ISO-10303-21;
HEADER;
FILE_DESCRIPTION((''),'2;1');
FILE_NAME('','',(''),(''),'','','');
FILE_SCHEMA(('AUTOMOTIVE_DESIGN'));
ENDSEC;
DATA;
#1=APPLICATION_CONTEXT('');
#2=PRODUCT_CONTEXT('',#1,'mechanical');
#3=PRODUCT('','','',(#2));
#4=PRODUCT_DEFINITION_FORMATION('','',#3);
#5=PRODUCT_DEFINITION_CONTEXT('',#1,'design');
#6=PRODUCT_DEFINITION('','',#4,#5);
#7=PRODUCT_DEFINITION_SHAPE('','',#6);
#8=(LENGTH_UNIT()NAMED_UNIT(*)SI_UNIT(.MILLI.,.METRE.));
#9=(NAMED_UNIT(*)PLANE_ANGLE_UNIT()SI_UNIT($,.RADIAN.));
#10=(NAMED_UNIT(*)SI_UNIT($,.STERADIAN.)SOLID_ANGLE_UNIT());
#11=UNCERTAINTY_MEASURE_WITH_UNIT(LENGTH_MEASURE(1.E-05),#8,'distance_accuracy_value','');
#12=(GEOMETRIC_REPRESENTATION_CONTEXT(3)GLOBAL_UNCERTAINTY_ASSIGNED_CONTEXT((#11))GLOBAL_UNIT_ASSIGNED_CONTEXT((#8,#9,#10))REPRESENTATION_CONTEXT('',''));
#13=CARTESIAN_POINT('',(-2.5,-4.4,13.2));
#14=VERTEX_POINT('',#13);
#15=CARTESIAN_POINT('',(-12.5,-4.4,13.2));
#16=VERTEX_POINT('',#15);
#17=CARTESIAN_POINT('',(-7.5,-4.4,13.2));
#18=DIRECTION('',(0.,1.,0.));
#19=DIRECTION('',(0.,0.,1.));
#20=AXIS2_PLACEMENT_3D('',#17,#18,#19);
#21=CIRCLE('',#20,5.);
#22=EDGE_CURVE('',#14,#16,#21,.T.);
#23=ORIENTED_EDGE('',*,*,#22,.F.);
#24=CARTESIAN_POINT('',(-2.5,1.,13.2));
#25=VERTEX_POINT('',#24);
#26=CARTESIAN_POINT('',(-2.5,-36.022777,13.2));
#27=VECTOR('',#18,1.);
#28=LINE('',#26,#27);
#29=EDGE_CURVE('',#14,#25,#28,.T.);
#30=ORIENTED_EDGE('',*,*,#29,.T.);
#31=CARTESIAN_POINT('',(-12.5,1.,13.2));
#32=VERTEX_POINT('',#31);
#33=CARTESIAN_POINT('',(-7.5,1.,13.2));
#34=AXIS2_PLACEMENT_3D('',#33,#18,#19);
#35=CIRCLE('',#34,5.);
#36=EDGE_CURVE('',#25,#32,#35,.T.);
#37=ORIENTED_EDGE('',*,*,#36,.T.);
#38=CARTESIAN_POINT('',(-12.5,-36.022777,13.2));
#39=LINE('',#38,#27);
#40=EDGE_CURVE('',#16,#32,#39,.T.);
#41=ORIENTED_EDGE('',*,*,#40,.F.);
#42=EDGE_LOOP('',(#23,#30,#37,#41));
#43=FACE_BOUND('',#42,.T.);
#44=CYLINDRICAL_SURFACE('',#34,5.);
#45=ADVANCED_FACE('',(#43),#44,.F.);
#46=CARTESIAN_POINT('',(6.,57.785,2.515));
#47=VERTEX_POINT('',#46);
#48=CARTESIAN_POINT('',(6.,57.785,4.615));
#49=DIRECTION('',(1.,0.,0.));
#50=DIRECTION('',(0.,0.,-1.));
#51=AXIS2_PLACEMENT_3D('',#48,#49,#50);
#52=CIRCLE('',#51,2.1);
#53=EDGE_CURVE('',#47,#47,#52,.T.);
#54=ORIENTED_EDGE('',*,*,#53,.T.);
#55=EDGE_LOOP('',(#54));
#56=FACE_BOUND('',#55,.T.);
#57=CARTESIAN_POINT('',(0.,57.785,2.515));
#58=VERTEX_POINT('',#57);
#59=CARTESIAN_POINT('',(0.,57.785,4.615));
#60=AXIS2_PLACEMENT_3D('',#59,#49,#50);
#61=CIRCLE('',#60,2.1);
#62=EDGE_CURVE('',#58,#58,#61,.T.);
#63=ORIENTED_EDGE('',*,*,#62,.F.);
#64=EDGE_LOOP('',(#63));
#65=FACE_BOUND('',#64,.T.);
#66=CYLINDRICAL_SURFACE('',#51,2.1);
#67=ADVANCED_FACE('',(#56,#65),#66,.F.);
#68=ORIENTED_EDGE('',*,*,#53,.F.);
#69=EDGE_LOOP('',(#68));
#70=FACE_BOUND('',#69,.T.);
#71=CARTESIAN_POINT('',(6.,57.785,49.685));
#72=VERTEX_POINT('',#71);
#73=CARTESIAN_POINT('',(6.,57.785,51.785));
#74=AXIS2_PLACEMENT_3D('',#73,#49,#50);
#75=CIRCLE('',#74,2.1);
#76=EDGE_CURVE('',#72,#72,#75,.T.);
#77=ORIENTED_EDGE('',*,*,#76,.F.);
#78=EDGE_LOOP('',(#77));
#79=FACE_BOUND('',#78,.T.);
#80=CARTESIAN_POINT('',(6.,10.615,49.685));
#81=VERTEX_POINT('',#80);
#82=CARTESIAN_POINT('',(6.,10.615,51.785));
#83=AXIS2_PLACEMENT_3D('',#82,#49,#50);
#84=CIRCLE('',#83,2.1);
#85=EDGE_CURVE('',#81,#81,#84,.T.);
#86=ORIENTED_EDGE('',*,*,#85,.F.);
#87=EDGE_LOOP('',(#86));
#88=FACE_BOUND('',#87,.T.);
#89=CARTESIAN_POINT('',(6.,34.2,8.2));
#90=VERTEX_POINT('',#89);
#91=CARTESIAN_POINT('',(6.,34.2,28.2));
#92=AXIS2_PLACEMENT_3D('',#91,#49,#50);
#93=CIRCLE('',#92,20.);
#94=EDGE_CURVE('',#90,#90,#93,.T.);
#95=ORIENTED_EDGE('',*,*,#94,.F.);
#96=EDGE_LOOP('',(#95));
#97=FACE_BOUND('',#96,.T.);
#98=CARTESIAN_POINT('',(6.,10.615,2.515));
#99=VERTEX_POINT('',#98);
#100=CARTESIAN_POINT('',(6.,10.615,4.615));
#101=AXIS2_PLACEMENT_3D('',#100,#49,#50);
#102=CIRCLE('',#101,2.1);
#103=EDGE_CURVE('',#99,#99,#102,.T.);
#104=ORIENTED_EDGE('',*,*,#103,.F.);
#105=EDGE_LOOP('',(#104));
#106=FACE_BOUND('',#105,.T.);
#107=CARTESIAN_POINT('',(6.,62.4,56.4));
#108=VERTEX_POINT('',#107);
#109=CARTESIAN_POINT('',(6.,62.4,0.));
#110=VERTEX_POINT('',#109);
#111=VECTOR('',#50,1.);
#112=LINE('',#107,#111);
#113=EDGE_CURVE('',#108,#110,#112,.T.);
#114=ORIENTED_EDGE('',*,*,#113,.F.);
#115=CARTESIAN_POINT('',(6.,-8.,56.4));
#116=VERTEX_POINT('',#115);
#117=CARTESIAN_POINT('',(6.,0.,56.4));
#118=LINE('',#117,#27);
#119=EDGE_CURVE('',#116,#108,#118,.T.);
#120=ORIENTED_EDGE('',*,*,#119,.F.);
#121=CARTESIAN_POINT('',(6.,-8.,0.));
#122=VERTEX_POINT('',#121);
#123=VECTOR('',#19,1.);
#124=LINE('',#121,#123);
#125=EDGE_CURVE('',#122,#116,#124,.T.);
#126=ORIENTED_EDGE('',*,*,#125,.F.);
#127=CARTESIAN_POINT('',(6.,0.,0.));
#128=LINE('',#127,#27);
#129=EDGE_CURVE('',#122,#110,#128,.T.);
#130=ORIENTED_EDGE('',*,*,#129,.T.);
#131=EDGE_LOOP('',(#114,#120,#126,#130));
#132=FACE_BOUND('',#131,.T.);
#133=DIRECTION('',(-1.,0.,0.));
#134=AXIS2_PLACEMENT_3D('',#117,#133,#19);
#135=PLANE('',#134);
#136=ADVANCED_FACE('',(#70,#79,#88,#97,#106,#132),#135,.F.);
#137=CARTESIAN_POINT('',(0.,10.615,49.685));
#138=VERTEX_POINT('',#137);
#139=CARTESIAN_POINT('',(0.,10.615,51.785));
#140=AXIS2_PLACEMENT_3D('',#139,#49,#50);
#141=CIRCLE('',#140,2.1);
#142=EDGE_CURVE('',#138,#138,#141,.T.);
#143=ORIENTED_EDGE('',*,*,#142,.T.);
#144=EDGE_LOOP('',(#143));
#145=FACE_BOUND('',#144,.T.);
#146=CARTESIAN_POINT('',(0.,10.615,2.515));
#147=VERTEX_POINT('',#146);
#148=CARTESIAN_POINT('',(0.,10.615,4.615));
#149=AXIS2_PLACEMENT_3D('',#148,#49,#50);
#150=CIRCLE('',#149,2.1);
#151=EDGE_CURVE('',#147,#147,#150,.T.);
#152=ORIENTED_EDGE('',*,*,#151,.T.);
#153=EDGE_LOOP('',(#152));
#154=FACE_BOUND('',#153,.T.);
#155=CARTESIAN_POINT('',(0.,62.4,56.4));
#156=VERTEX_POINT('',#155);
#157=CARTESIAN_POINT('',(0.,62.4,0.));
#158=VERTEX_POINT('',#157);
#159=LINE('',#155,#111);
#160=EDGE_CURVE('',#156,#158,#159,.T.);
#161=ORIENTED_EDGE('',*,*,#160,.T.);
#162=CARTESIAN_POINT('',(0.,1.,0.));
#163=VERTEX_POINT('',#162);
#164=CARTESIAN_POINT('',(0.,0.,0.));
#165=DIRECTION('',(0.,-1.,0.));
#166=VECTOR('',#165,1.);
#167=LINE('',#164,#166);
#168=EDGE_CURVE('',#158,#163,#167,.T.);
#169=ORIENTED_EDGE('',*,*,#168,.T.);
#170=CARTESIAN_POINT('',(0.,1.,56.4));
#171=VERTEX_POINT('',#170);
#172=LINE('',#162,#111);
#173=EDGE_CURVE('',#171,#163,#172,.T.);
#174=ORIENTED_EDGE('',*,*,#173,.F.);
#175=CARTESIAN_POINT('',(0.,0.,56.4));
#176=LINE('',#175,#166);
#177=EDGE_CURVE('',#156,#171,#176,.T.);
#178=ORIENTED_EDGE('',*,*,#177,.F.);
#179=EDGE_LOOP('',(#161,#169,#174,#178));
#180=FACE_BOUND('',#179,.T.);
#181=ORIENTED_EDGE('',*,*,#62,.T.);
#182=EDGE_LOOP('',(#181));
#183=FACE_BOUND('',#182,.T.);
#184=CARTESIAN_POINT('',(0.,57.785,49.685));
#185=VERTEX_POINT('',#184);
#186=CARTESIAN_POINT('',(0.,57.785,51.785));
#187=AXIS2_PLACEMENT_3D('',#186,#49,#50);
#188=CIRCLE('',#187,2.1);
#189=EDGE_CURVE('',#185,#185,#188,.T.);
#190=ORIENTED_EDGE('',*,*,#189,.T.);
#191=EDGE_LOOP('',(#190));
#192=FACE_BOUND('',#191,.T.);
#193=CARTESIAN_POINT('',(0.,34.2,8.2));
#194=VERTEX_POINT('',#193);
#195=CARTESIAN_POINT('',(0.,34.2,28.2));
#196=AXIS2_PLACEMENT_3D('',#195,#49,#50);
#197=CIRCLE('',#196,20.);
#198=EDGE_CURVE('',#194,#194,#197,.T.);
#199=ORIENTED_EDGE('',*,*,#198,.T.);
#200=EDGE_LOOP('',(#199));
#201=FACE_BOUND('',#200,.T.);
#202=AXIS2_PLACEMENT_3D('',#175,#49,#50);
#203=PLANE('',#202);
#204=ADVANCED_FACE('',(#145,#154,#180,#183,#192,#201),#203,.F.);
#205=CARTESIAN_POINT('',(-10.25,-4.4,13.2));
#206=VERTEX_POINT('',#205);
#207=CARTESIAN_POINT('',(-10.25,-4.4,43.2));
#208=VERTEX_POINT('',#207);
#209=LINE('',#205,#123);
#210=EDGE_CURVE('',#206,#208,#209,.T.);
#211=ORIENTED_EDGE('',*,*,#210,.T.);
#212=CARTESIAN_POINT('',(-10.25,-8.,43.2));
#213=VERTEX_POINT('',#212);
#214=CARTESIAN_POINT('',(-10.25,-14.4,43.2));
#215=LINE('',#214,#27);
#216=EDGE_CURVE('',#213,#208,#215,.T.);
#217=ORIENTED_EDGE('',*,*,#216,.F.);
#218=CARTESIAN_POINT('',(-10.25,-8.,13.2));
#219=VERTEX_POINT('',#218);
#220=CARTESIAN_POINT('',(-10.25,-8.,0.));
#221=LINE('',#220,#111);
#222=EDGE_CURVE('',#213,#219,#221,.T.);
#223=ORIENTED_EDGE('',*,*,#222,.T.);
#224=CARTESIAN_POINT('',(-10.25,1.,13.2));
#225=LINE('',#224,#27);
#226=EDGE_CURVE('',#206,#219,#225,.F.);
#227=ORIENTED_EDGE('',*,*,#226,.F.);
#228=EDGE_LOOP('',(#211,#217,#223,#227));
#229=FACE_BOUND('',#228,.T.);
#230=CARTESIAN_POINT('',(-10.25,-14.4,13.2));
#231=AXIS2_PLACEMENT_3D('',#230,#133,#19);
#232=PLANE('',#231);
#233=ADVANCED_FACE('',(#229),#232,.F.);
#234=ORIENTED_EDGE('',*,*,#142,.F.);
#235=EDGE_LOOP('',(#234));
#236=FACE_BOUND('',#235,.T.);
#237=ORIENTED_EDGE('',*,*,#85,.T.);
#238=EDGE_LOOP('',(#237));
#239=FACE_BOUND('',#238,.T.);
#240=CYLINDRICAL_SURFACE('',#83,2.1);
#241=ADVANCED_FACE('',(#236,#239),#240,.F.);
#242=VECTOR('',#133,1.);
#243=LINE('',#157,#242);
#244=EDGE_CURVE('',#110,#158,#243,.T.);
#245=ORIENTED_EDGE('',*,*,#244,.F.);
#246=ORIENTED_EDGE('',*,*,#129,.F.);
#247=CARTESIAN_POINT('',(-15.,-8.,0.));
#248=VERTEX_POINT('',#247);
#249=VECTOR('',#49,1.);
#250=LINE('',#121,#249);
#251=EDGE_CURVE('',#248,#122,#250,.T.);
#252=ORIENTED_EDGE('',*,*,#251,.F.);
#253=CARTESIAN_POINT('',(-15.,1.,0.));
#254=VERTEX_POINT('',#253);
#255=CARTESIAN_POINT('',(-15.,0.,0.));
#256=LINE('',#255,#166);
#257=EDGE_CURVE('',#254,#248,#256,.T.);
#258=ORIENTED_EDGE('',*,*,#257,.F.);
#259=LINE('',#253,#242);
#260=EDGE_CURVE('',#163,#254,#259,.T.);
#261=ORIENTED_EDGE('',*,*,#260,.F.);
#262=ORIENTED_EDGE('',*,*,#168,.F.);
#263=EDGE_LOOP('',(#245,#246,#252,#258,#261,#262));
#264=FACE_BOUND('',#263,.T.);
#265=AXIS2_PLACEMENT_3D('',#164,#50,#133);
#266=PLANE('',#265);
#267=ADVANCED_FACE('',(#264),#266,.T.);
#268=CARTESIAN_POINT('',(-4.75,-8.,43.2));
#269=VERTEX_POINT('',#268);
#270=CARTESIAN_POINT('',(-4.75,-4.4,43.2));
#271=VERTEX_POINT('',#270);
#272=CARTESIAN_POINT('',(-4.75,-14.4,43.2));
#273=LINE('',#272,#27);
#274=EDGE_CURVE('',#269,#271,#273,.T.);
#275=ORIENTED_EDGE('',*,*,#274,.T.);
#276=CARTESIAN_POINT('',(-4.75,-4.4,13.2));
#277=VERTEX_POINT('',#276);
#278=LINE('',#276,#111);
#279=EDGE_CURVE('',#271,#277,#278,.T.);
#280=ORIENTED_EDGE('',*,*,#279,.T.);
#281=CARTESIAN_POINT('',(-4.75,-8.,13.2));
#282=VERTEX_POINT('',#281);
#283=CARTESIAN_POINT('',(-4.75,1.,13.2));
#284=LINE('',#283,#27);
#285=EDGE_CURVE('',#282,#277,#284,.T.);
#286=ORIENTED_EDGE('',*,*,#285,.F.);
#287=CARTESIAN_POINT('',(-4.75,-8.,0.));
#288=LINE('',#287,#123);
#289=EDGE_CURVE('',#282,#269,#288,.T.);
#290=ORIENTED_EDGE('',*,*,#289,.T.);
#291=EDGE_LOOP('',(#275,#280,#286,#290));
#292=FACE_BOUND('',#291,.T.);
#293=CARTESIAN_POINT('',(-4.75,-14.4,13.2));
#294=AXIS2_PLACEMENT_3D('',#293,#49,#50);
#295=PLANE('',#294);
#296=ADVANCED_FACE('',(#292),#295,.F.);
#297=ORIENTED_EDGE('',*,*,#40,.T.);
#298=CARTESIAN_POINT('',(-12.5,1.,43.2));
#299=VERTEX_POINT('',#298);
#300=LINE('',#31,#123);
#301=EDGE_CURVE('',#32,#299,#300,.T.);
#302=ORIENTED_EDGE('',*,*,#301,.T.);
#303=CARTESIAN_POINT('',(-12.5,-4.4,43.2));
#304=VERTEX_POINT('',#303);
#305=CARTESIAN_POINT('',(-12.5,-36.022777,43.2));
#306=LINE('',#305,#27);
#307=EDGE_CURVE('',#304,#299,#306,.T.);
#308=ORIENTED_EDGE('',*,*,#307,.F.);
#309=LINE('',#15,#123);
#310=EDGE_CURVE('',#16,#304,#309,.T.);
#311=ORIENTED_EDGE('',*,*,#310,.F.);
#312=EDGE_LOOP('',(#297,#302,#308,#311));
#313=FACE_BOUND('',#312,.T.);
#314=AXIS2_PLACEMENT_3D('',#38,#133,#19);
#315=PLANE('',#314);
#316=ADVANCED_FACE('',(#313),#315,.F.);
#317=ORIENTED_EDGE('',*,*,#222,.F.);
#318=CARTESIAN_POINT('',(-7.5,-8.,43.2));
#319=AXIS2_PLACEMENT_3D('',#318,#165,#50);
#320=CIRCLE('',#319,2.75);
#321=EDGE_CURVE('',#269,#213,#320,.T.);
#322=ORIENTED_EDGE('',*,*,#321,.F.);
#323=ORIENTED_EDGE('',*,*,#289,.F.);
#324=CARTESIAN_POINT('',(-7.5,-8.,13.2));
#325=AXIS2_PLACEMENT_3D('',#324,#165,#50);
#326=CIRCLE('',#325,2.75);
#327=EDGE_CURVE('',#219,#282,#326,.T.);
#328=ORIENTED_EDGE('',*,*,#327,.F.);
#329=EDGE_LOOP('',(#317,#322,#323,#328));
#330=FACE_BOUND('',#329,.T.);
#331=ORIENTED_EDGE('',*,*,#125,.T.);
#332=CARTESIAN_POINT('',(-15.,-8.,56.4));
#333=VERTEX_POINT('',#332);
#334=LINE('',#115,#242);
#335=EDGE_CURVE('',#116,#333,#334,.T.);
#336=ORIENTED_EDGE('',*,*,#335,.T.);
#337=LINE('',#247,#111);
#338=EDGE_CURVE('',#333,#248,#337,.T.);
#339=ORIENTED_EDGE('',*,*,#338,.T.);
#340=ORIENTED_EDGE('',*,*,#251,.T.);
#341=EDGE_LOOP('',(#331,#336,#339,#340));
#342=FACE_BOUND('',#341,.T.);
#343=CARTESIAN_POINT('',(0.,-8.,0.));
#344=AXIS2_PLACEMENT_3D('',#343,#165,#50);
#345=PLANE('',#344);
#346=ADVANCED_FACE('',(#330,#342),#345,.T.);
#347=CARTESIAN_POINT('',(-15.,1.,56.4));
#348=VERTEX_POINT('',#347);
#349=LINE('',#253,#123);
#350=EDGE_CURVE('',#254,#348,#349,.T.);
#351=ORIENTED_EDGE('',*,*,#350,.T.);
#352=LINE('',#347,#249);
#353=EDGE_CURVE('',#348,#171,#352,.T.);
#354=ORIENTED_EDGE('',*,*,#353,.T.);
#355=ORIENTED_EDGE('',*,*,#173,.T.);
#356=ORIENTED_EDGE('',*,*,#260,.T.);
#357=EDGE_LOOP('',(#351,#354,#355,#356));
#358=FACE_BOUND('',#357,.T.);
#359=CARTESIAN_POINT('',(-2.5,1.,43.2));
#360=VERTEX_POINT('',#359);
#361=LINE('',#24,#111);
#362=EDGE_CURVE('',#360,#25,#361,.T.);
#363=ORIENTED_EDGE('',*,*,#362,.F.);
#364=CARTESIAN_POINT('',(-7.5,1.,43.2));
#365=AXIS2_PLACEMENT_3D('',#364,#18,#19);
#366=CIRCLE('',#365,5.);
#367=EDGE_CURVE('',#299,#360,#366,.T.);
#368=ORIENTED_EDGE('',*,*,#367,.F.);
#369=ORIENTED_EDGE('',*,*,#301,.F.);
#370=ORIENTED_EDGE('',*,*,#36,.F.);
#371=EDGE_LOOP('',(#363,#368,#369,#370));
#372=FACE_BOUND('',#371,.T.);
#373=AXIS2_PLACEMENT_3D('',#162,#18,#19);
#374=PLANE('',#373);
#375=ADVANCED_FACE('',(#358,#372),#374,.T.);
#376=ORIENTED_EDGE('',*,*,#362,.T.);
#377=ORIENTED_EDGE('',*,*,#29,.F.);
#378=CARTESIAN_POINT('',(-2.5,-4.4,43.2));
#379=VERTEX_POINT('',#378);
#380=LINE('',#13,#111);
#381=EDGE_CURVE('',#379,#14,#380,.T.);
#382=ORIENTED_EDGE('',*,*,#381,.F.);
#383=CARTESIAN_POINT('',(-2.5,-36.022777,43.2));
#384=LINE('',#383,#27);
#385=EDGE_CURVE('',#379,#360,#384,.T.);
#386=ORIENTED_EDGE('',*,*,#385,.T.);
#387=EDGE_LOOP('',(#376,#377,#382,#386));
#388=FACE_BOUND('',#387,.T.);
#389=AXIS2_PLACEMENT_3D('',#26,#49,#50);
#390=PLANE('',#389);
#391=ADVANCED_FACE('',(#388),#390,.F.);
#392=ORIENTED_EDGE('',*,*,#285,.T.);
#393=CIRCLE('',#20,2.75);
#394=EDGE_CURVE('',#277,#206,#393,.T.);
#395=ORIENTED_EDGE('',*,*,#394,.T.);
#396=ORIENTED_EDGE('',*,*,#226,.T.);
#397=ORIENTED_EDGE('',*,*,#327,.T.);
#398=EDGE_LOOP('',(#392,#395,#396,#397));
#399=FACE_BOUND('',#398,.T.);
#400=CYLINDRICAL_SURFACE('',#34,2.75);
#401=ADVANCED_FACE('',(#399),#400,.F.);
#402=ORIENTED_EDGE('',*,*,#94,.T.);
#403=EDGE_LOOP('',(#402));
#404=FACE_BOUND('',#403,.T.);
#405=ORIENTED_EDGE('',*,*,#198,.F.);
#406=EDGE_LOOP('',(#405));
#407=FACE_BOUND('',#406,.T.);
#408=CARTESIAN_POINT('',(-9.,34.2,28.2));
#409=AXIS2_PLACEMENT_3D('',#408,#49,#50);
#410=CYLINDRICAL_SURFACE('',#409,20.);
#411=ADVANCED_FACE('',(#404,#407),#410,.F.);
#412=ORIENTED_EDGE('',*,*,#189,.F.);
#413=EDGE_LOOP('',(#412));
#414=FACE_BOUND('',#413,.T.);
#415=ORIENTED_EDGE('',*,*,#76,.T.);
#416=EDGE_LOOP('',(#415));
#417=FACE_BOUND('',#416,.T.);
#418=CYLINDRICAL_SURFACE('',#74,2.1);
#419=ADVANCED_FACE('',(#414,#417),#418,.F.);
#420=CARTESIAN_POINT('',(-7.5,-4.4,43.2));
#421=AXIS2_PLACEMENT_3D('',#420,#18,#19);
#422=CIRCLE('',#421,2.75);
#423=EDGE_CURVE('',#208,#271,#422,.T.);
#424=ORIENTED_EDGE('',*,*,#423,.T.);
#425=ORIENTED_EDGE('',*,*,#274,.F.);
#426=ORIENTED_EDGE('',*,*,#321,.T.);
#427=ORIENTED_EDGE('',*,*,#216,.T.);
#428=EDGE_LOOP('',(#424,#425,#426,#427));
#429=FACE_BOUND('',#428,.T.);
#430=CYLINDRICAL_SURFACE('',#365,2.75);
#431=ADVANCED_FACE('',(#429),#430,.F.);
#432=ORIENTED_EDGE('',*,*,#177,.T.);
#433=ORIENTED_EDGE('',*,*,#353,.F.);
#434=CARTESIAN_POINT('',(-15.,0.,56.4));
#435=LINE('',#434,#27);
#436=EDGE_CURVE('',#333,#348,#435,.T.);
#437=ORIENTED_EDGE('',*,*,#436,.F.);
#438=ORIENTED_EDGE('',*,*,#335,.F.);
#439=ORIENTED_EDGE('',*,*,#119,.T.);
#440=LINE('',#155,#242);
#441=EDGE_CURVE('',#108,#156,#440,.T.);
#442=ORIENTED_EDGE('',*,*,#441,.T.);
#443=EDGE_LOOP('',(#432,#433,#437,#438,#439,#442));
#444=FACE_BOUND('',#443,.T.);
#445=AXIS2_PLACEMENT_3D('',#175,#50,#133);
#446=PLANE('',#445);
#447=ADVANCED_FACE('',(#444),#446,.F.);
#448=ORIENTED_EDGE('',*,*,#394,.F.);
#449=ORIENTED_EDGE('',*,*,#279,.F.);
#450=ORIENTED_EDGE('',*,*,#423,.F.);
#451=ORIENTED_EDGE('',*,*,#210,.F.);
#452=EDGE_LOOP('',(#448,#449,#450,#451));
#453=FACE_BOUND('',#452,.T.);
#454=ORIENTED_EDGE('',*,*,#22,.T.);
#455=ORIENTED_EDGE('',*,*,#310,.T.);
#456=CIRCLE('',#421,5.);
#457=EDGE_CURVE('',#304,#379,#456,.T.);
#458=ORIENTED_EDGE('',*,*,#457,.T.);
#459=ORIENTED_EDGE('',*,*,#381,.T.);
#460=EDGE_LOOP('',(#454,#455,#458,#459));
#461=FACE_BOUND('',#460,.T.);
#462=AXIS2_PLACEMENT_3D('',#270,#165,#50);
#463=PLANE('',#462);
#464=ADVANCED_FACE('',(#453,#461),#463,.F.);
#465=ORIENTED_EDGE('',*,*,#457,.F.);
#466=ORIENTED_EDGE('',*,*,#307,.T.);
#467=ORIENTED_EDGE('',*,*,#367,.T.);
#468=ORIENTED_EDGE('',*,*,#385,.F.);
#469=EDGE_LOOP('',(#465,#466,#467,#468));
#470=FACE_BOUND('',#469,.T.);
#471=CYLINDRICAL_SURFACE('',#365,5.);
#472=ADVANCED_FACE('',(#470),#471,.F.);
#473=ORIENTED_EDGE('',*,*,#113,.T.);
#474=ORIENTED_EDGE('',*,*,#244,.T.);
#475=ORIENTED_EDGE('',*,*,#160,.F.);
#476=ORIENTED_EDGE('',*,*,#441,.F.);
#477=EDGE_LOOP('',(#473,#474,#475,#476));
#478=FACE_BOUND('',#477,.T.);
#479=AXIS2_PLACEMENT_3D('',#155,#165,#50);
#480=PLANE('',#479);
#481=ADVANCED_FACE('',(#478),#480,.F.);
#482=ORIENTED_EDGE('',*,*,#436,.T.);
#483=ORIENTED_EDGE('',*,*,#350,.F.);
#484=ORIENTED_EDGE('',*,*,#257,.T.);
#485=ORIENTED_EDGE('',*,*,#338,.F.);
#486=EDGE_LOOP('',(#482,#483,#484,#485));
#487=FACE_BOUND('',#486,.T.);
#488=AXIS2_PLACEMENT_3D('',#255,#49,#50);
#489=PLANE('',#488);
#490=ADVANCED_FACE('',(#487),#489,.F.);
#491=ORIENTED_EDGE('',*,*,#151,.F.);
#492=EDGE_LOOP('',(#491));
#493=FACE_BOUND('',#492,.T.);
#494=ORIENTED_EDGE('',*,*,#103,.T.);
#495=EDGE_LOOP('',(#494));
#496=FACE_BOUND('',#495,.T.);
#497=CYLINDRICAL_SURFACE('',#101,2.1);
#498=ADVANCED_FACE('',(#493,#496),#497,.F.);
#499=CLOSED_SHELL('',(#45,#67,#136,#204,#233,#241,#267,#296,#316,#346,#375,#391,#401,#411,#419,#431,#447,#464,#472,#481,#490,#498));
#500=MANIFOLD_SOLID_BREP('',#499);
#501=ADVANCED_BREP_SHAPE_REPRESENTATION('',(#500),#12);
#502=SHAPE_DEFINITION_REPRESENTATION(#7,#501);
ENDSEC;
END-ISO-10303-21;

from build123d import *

# Parameters (mm, degrees)
SKETCH_1_W                     = 6
SKETCH_1_H                     = 62.4
EXTRUDE_1_DEPTH                = 56.4
SKETCH_3_W                     = 56.4
SKETCH_3_H                     = 6
EXTRUDE_3_DEPTH                = 15
HOLE_WIZARD_M5_1_D             = 4.2
HOLE_WIZARD_M5_1_DEPTH         = 12.4
HOLE_WIZARD_M5_1_TIP           = 1.2618073
SKETCH_6_R                     = 20
CUT_EXTRUDE_1_DEPTH            = 15
SKETCH_7_W                     = 21
SKETCH_7_H                     = 56.4
EXTRUDE_4_DEPTH                = 8
SKETCH_8_W                     = 15
SKETCH_8_H                     = 56.4
CUT_EXTRUDE_2_DEPTH            = 5
HOLE_WIZARD_M5_1_2_D           = 5.5
HOLE_WIZARD_M5_1_2_DEPTH       = 12.4
HOLE_WIZARD_M5_1_2_CBORE_D     = 10
HOLE_WIZARD_M5_1_2_CBORE_DEPTH = 5.4
HOLE_WIZARD_M5_1_2_TIP         = 1.652366702
SKETCH_11_W                    = 10
SKETCH_11_H                    = 30
CUT_EXTRUDE_3_DEPTH            = 5.4
SKETCH_12_W                    = 5.5
SKETCH_12_H                    = 30
CUT_EXTRUDE_4_DEPTH            = 10


with BuildPart() as part:
    # 草图1 → 凸台-拉伸1 (new body)
    with BuildSketch(Plane.XY):
        with Locations((3, 31.2)):
            Rectangle(SKETCH_1_W, SKETCH_1_H)
    extrude(amount=EXTRUDE_1_DEPTH)

    # 草图3 → 凸台-拉伸3 (add)
    with BuildSketch(Plane.ZY):
        with Locations((28.2, 3)):
            Rectangle(SKETCH_3_W, SKETCH_3_H)
    extrude(amount=EXTRUDE_3_DEPTH)

    # Hole Wizard M5 _1
    with Locations(Plane(origin=(6, 0, 0), x_dir=(0, 0, -1), z_dir=(1, 0, 0))):
        with Locations((-51.785, 57.785), (-4.615, 57.785), (-4.615, 10.615), (-51.785, 10.615)):
            Hole(HOLE_WIZARD_M5_1_D / 2, depth=HOLE_WIZARD_M5_1_DEPTH)
            with Locations((0, 0, -(HOLE_WIZARD_M5_1_DEPTH + HOLE_WIZARD_M5_1_TIP / 2))):  # 118° drill point
                Cone(0, HOLE_WIZARD_M5_1_D / 2, HOLE_WIZARD_M5_1_TIP, mode=Mode.SUBTRACT)

    # 草图6 → 切除-拉伸1 (cut)
    with BuildSketch(Plane(origin=(6, 0, 0), x_dir=(0, 0, -1), z_dir=(1, 0, 0))):
        with Locations((-28.2, 34.2)):
            Circle(SKETCH_6_R)
    extrude(amount=-CUT_EXTRUDE_1_DEPTH, mode=Mode.SUBTRACT)

    # 草图7 → 凸台-拉伸4 (add)
    with BuildSketch(Plane.XZ):
        with Locations((-4.5, 28.2)):
            Rectangle(SKETCH_7_W, SKETCH_7_H)
    extrude(amount=EXTRUDE_4_DEPTH)

    # 草图8 → 切除-拉伸2 (cut)
    with BuildSketch(Plane(origin=(0, 6, 0), x_dir=(1, 0, 0), z_dir=(0, 1, 0))):
        with Locations((-7.5, -28.2)):
            Rectangle(SKETCH_8_W, SKETCH_8_H)
    extrude(amount=-CUT_EXTRUDE_2_DEPTH, mode=Mode.SUBTRACT)

    # Hole Wizard M5 _1 2
    with Locations(Plane(origin=(0, 1, 0), x_dir=(1, 0, 0), z_dir=(0, 1, 0))):
        with Locations((-7.5, -13.2), (-7.5, -43.2)):
            CounterBoreHole(HOLE_WIZARD_M5_1_2_D / 2, HOLE_WIZARD_M5_1_2_CBORE_D / 2, HOLE_WIZARD_M5_1_2_CBORE_DEPTH, depth=HOLE_WIZARD_M5_1_2_DEPTH)
            with Locations((0, 0, -(HOLE_WIZARD_M5_1_2_DEPTH + HOLE_WIZARD_M5_1_2_TIP / 2))):  # 118° drill point
                Cone(0, HOLE_WIZARD_M5_1_2_D / 2, HOLE_WIZARD_M5_1_2_TIP, mode=Mode.SUBTRACT)

    # 草图11 → 切除-拉伸3 (cut)
    with BuildSketch(Plane(origin=(0, 1, 0), x_dir=(1, 0, 0), z_dir=(0, 1, 0))):
        with Locations((-7.5, -28.2)):
            Rectangle(SKETCH_11_W, SKETCH_11_H)
    extrude(amount=-CUT_EXTRUDE_3_DEPTH, mode=Mode.SUBTRACT)

    # 草图12 → 切除-拉伸4 (cut)
    with BuildSketch(Plane(origin=(0, -4.4, 0), x_dir=(1, 0, 0), z_dir=(0, 1, 0))):
        with Locations((-7.5, -28.2)):
            Rectangle(SKETCH_12_W, SKETCH_12_H)
    extrude(amount=-CUT_EXTRUDE_4_DEPTH, mode=Mode.SUBTRACT)


solid = part.part
